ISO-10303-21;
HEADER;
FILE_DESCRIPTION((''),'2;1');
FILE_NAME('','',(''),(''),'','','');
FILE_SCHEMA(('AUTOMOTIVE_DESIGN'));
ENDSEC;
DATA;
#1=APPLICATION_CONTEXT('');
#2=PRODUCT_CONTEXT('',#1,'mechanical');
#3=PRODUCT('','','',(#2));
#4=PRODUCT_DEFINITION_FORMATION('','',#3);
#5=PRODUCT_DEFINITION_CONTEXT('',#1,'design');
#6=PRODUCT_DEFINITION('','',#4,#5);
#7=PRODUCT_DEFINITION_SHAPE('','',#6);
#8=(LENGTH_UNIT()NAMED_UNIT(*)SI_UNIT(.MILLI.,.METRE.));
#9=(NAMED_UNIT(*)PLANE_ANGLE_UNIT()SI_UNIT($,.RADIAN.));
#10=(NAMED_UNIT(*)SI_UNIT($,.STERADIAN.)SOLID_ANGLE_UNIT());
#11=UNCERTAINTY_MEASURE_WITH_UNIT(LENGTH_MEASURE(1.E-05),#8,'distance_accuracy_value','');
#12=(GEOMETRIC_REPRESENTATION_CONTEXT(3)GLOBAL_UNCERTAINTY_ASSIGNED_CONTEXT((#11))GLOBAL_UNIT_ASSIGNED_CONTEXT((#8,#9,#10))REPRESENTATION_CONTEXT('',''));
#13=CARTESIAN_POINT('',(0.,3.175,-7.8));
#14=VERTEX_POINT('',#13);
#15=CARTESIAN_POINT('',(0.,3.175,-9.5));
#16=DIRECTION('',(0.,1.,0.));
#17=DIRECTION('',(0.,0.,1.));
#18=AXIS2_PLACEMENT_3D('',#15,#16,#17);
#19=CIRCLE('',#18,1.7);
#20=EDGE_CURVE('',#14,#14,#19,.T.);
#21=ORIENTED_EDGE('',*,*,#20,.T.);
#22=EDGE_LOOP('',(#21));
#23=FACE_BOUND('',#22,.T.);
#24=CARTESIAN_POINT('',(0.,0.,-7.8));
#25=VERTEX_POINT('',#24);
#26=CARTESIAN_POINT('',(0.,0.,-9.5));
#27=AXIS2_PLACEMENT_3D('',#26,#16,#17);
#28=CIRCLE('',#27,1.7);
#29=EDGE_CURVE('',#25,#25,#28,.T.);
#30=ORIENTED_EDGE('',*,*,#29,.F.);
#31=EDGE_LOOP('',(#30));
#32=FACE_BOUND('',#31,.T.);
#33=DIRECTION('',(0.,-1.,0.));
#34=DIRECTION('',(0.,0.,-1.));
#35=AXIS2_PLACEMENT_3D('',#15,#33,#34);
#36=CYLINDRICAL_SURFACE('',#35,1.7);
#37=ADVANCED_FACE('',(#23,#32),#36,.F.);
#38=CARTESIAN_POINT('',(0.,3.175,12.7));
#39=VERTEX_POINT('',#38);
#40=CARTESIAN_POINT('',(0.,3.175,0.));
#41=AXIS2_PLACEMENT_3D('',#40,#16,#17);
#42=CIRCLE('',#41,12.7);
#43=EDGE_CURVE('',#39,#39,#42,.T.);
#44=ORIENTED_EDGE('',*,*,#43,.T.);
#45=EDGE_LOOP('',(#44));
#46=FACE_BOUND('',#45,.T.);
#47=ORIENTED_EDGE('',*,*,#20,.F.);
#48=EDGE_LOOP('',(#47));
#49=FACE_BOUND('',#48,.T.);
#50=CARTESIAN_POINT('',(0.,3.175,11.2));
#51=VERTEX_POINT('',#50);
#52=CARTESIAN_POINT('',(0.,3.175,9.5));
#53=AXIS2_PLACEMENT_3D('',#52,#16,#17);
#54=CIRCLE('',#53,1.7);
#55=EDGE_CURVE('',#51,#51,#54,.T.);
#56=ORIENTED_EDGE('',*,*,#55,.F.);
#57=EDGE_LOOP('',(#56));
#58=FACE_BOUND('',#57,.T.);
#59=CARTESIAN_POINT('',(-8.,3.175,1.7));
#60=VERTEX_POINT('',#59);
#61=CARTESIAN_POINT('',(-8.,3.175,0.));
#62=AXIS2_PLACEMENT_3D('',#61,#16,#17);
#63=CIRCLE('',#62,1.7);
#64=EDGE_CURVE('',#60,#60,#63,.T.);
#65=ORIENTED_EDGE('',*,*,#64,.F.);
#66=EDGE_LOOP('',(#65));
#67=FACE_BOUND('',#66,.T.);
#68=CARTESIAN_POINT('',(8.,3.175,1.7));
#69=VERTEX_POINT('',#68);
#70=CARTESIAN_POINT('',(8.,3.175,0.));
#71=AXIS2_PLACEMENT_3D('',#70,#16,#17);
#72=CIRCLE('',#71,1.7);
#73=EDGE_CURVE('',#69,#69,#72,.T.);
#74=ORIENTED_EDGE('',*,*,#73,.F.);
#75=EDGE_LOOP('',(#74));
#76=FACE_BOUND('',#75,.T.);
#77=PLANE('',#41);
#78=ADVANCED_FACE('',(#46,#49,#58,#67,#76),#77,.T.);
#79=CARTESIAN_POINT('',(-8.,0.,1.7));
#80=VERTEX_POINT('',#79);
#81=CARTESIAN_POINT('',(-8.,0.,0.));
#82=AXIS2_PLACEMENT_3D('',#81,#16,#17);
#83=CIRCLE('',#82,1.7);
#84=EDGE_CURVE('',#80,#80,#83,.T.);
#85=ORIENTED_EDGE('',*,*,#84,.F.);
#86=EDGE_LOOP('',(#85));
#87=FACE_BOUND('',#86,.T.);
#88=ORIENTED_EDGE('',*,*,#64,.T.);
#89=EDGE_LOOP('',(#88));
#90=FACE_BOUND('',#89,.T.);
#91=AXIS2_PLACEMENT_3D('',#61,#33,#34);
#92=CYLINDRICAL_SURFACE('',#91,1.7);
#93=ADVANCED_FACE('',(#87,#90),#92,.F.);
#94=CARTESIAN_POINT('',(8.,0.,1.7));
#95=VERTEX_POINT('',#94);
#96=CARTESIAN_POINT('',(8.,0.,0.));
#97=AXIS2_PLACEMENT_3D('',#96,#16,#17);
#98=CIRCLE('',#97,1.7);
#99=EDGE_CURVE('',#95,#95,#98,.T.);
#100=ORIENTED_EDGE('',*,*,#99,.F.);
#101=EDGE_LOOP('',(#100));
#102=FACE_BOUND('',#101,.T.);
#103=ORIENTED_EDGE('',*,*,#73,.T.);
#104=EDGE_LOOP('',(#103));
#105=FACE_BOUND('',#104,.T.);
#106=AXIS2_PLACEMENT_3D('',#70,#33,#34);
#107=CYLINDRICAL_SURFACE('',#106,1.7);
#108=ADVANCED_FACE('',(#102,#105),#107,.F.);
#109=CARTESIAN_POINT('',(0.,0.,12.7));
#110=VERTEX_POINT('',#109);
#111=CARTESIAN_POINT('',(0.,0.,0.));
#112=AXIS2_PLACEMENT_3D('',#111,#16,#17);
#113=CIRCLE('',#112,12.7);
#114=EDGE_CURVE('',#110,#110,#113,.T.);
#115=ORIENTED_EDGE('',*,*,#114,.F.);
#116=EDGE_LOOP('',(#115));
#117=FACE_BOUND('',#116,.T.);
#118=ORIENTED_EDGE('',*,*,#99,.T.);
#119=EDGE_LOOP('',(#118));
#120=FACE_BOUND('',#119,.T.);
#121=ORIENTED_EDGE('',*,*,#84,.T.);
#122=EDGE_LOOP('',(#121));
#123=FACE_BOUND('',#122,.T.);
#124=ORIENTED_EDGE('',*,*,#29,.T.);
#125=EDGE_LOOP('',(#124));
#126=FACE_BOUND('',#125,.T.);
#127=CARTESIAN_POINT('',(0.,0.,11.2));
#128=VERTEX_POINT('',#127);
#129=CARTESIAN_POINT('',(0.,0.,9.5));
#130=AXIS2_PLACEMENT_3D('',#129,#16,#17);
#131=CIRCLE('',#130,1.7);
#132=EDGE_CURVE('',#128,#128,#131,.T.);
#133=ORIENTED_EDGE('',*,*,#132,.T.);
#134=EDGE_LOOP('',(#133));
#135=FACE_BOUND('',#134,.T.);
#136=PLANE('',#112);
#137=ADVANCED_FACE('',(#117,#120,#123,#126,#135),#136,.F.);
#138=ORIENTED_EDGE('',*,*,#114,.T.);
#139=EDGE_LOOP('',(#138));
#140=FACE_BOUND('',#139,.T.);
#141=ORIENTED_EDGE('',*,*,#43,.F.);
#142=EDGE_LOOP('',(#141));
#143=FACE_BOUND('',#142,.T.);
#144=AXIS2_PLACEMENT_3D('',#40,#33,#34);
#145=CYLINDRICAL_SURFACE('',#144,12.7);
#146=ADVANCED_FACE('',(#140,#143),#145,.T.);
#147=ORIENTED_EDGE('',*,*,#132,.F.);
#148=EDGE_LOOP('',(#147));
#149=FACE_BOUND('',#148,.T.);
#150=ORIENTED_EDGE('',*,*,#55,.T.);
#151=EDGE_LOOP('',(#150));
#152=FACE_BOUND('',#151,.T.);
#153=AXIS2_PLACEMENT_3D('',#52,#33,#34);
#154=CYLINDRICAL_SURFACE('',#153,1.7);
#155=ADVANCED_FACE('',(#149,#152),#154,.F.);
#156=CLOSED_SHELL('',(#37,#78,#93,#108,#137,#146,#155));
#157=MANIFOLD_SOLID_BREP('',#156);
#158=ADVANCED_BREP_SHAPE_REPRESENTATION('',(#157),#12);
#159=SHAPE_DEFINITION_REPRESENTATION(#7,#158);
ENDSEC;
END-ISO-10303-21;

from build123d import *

# Parameters (mm, degrees)
SKETCH1_R           = 12.7
SKETCH1_R_2         = 1.7
BOSS_EXTRUDE1_DEPTH = 3.175


with BuildPart() as part:
    # Sketch1 → Boss-Extrude1 (new body)
    with BuildSketch(Plane(origin=(0, 0, 0), x_dir=(1, 0, 0), z_dir=(0, 1, 0))):
        Circle(SKETCH1_R)
        with Locations((0, 9.5)):
            Circle(SKETCH1_R_2, mode=Mode.SUBTRACT)
        with Locations((0, -9.5)):
            Circle(SKETCH1_R_2, mode=Mode.SUBTRACT)
        with Locations((-8, 0)):
            Circle(SKETCH1_R_2, mode=Mode.SUBTRACT)
        with Locations((8, 0)):
            Circle(SKETCH1_R_2, mode=Mode.SUBTRACT)
    extrude(amount=BOSS_EXTRUDE1_DEPTH)


solid = part.part
